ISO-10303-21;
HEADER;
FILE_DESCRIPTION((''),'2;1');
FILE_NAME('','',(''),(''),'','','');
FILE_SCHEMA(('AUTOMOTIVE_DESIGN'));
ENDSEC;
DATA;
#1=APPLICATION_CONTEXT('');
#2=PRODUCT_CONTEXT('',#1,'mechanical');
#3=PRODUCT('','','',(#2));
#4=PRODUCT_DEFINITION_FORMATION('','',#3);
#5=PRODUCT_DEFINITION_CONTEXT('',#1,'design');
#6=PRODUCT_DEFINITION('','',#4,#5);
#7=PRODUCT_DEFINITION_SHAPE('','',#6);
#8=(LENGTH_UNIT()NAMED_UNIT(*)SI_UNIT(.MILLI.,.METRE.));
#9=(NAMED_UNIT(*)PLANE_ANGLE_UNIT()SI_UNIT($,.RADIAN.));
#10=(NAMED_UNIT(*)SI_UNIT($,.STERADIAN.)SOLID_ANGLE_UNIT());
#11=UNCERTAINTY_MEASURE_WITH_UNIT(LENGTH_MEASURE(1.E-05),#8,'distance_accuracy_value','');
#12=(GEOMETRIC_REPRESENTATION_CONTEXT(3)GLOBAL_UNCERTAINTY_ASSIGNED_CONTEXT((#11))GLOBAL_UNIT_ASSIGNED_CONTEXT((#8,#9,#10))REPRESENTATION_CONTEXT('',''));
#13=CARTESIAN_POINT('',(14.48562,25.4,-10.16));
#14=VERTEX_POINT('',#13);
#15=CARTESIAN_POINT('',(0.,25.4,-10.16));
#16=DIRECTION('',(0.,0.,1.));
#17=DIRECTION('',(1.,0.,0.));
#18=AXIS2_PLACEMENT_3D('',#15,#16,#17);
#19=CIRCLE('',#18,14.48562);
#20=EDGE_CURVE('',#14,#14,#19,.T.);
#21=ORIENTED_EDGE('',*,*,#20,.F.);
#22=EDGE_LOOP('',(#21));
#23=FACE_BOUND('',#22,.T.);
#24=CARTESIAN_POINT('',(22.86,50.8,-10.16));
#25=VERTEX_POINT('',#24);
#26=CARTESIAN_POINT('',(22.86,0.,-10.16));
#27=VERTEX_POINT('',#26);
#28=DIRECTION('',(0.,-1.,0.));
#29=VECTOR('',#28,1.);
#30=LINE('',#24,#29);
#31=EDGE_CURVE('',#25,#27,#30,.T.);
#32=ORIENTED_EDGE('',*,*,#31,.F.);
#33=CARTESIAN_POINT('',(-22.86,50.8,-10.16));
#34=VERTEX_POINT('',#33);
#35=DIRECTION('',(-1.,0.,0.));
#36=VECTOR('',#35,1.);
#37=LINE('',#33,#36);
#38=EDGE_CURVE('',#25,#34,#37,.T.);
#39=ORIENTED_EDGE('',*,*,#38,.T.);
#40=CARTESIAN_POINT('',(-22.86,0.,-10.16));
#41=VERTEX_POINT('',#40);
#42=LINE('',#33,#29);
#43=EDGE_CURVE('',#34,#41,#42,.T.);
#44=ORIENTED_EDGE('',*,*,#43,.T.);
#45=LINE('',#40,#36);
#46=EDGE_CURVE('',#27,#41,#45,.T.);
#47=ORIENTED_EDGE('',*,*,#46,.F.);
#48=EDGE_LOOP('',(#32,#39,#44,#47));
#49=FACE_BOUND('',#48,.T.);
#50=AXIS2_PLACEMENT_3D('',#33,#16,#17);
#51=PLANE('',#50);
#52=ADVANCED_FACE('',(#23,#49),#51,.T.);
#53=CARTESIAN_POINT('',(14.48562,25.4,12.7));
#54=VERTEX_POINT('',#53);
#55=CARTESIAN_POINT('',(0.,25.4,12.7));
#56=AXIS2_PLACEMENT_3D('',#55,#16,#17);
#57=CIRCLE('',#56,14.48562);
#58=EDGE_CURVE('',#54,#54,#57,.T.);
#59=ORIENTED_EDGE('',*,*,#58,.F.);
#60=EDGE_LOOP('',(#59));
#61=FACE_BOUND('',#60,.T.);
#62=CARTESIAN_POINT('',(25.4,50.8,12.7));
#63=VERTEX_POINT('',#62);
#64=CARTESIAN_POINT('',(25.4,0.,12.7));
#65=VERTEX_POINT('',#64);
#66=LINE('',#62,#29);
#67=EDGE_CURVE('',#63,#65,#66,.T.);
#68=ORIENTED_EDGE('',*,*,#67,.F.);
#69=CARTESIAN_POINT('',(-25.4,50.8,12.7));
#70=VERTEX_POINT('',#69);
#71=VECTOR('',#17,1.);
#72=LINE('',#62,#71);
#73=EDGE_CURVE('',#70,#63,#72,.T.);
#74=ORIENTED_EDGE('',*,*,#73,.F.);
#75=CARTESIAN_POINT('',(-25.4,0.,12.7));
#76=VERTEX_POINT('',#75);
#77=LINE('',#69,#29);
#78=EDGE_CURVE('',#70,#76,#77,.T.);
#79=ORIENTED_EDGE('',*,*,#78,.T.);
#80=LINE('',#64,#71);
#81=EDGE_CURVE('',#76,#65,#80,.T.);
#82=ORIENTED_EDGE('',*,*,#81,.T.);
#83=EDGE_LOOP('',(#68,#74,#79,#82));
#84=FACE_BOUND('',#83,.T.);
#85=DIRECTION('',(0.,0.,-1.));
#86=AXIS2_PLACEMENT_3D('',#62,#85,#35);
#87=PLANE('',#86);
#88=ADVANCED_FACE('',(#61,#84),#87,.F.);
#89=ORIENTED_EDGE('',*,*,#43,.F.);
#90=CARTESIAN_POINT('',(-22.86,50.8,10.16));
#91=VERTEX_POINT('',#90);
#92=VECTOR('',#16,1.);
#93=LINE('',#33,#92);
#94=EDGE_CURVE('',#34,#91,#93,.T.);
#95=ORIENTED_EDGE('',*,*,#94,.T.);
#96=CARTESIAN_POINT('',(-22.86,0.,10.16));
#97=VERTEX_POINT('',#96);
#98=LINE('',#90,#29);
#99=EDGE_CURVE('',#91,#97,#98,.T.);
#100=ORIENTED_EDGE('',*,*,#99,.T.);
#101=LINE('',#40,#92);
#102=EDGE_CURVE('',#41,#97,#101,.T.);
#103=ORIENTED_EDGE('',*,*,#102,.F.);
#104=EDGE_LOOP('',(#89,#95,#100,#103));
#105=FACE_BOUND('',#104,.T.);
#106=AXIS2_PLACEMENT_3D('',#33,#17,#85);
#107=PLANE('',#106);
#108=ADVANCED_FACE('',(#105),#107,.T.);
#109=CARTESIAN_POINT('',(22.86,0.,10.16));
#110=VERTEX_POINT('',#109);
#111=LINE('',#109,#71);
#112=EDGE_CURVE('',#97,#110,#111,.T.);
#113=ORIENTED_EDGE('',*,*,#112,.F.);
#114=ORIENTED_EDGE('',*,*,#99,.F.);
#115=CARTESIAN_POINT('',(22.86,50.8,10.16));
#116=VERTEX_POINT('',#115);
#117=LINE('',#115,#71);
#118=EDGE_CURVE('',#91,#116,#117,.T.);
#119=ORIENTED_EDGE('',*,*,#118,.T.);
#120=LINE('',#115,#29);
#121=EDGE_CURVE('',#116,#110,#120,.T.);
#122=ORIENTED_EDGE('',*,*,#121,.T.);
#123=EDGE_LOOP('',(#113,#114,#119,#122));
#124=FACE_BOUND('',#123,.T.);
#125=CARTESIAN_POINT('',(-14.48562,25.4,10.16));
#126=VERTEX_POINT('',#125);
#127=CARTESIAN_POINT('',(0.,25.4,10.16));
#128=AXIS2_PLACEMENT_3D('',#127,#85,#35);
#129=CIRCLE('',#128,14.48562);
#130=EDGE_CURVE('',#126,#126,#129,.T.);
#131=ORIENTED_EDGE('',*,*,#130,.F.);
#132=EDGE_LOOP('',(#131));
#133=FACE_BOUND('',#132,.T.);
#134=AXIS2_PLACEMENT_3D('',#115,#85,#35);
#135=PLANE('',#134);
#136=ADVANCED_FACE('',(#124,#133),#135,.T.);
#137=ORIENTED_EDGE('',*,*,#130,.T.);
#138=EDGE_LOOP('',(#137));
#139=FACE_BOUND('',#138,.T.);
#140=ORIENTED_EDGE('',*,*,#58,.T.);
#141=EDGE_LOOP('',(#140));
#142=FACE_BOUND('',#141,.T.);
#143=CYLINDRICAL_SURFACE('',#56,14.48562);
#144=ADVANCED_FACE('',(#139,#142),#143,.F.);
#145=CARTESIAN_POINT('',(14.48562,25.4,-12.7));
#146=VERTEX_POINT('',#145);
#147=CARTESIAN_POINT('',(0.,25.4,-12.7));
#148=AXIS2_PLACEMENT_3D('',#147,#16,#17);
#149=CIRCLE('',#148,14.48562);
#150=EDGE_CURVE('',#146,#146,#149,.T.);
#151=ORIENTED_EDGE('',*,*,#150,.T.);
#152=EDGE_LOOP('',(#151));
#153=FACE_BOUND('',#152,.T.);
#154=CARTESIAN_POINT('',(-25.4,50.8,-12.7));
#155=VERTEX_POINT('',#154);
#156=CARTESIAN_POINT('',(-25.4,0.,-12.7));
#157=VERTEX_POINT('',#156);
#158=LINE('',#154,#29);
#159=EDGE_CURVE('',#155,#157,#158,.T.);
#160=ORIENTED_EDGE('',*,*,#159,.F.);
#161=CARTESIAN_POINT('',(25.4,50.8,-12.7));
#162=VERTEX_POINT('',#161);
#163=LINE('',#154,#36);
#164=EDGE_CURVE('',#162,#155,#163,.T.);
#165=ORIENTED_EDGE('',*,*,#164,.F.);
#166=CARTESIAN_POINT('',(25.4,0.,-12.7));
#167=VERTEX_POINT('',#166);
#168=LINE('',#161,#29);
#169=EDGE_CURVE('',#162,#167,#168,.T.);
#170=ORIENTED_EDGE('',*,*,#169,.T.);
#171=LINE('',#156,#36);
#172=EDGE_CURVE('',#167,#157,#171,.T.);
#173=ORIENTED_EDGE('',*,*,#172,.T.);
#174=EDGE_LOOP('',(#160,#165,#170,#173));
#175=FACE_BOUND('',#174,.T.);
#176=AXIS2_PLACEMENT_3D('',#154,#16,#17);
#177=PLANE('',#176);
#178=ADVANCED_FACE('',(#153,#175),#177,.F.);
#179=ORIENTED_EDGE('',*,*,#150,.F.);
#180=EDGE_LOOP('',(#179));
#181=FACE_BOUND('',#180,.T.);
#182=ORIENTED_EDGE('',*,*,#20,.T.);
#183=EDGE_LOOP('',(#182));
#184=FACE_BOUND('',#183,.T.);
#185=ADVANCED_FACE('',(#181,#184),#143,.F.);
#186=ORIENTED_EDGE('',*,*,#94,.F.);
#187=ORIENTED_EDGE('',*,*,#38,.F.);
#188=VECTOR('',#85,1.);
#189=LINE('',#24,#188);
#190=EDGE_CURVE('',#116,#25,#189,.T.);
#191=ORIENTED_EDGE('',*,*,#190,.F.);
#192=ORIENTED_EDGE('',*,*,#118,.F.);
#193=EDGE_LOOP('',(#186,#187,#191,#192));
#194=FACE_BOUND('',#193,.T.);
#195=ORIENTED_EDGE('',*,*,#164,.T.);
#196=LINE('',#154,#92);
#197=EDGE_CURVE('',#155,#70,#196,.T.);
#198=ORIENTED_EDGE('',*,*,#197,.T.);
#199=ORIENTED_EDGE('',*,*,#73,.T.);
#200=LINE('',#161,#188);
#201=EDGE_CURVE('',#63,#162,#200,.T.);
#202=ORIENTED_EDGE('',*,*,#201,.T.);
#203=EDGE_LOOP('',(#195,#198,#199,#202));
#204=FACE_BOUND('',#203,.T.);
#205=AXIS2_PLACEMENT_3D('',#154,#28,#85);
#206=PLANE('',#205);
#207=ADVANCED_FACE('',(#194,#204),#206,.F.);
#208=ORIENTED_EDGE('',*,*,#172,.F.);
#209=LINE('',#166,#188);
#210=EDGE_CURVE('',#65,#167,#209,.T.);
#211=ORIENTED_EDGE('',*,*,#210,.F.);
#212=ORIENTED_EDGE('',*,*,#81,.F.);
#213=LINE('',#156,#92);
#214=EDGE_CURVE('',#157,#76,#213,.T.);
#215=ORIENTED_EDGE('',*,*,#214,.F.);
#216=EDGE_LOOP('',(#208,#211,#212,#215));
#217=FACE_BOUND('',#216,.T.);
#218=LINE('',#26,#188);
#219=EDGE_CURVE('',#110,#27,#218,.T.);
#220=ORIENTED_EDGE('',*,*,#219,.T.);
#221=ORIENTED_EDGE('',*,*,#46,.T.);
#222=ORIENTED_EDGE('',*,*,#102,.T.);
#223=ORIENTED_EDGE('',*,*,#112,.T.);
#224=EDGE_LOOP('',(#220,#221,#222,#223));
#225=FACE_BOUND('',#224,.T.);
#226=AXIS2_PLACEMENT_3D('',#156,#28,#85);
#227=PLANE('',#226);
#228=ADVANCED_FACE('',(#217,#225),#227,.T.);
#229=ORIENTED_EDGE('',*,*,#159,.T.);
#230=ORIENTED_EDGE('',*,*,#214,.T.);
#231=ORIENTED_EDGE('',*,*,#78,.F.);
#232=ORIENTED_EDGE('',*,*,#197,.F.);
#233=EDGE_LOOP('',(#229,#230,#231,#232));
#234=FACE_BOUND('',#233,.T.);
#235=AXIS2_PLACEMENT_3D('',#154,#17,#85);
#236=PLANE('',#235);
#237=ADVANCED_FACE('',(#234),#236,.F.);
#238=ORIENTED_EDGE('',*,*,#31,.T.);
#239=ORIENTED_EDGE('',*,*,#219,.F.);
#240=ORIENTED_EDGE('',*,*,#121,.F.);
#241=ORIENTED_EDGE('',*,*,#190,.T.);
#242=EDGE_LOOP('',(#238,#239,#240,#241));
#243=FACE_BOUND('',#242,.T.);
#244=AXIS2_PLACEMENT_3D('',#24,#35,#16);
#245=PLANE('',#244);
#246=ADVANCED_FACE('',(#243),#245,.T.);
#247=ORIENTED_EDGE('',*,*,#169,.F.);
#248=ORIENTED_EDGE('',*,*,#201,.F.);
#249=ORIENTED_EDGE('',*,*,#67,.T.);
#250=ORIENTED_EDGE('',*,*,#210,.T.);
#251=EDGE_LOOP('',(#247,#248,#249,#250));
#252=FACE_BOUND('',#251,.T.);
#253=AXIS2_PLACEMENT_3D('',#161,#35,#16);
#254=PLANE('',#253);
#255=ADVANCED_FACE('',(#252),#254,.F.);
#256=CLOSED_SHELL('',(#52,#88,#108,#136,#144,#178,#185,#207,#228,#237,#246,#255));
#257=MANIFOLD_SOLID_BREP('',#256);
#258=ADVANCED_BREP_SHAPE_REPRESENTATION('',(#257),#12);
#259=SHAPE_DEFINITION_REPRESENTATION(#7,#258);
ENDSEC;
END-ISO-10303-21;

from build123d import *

# Parameters (mm, degrees)
SKETCH12_W                         = 25.4
SKETCH12_H                         = 50.8
SKETCH12_W_2                       = 20.32
SKETCH12_H_2                       = 45.72
RECTANGULAR_TUBE_2IN_X_1IN_1_DEPTH = 50.8
F_1_1_8_CLEARANCE_HOLE1_D          = 28.97124


with BuildPart() as part:
    # Sketch12 → Rectangular tube 2IN X 1IN(1) (new body)
    with BuildSketch(Plane(origin=(-25.4, 0, -12.7), x_dir=(0, 0, 1), z_dir=(0, 1, 0))):
        with Locations((12.7, 25.4)):
            Rectangle(SKETCH12_W, SKETCH12_H)
        with Locations((12.7, 25.4)):
            Rectangle(SKETCH12_W_2, SKETCH12_H_2, mode=Mode.SUBTRACT)
    extrude(amount=RECTANGULAR_TUBE_2IN_X_1IN_1_DEPTH)

    # 1-1/8 Clearance Hole1 (through all)
    with Locations(Plane.XY.offset(12.7)):
        with Locations((0, 25.4)):
            Hole(F_1_1_8_CLEARANCE_HOLE1_D / 2)


solid = part.part
